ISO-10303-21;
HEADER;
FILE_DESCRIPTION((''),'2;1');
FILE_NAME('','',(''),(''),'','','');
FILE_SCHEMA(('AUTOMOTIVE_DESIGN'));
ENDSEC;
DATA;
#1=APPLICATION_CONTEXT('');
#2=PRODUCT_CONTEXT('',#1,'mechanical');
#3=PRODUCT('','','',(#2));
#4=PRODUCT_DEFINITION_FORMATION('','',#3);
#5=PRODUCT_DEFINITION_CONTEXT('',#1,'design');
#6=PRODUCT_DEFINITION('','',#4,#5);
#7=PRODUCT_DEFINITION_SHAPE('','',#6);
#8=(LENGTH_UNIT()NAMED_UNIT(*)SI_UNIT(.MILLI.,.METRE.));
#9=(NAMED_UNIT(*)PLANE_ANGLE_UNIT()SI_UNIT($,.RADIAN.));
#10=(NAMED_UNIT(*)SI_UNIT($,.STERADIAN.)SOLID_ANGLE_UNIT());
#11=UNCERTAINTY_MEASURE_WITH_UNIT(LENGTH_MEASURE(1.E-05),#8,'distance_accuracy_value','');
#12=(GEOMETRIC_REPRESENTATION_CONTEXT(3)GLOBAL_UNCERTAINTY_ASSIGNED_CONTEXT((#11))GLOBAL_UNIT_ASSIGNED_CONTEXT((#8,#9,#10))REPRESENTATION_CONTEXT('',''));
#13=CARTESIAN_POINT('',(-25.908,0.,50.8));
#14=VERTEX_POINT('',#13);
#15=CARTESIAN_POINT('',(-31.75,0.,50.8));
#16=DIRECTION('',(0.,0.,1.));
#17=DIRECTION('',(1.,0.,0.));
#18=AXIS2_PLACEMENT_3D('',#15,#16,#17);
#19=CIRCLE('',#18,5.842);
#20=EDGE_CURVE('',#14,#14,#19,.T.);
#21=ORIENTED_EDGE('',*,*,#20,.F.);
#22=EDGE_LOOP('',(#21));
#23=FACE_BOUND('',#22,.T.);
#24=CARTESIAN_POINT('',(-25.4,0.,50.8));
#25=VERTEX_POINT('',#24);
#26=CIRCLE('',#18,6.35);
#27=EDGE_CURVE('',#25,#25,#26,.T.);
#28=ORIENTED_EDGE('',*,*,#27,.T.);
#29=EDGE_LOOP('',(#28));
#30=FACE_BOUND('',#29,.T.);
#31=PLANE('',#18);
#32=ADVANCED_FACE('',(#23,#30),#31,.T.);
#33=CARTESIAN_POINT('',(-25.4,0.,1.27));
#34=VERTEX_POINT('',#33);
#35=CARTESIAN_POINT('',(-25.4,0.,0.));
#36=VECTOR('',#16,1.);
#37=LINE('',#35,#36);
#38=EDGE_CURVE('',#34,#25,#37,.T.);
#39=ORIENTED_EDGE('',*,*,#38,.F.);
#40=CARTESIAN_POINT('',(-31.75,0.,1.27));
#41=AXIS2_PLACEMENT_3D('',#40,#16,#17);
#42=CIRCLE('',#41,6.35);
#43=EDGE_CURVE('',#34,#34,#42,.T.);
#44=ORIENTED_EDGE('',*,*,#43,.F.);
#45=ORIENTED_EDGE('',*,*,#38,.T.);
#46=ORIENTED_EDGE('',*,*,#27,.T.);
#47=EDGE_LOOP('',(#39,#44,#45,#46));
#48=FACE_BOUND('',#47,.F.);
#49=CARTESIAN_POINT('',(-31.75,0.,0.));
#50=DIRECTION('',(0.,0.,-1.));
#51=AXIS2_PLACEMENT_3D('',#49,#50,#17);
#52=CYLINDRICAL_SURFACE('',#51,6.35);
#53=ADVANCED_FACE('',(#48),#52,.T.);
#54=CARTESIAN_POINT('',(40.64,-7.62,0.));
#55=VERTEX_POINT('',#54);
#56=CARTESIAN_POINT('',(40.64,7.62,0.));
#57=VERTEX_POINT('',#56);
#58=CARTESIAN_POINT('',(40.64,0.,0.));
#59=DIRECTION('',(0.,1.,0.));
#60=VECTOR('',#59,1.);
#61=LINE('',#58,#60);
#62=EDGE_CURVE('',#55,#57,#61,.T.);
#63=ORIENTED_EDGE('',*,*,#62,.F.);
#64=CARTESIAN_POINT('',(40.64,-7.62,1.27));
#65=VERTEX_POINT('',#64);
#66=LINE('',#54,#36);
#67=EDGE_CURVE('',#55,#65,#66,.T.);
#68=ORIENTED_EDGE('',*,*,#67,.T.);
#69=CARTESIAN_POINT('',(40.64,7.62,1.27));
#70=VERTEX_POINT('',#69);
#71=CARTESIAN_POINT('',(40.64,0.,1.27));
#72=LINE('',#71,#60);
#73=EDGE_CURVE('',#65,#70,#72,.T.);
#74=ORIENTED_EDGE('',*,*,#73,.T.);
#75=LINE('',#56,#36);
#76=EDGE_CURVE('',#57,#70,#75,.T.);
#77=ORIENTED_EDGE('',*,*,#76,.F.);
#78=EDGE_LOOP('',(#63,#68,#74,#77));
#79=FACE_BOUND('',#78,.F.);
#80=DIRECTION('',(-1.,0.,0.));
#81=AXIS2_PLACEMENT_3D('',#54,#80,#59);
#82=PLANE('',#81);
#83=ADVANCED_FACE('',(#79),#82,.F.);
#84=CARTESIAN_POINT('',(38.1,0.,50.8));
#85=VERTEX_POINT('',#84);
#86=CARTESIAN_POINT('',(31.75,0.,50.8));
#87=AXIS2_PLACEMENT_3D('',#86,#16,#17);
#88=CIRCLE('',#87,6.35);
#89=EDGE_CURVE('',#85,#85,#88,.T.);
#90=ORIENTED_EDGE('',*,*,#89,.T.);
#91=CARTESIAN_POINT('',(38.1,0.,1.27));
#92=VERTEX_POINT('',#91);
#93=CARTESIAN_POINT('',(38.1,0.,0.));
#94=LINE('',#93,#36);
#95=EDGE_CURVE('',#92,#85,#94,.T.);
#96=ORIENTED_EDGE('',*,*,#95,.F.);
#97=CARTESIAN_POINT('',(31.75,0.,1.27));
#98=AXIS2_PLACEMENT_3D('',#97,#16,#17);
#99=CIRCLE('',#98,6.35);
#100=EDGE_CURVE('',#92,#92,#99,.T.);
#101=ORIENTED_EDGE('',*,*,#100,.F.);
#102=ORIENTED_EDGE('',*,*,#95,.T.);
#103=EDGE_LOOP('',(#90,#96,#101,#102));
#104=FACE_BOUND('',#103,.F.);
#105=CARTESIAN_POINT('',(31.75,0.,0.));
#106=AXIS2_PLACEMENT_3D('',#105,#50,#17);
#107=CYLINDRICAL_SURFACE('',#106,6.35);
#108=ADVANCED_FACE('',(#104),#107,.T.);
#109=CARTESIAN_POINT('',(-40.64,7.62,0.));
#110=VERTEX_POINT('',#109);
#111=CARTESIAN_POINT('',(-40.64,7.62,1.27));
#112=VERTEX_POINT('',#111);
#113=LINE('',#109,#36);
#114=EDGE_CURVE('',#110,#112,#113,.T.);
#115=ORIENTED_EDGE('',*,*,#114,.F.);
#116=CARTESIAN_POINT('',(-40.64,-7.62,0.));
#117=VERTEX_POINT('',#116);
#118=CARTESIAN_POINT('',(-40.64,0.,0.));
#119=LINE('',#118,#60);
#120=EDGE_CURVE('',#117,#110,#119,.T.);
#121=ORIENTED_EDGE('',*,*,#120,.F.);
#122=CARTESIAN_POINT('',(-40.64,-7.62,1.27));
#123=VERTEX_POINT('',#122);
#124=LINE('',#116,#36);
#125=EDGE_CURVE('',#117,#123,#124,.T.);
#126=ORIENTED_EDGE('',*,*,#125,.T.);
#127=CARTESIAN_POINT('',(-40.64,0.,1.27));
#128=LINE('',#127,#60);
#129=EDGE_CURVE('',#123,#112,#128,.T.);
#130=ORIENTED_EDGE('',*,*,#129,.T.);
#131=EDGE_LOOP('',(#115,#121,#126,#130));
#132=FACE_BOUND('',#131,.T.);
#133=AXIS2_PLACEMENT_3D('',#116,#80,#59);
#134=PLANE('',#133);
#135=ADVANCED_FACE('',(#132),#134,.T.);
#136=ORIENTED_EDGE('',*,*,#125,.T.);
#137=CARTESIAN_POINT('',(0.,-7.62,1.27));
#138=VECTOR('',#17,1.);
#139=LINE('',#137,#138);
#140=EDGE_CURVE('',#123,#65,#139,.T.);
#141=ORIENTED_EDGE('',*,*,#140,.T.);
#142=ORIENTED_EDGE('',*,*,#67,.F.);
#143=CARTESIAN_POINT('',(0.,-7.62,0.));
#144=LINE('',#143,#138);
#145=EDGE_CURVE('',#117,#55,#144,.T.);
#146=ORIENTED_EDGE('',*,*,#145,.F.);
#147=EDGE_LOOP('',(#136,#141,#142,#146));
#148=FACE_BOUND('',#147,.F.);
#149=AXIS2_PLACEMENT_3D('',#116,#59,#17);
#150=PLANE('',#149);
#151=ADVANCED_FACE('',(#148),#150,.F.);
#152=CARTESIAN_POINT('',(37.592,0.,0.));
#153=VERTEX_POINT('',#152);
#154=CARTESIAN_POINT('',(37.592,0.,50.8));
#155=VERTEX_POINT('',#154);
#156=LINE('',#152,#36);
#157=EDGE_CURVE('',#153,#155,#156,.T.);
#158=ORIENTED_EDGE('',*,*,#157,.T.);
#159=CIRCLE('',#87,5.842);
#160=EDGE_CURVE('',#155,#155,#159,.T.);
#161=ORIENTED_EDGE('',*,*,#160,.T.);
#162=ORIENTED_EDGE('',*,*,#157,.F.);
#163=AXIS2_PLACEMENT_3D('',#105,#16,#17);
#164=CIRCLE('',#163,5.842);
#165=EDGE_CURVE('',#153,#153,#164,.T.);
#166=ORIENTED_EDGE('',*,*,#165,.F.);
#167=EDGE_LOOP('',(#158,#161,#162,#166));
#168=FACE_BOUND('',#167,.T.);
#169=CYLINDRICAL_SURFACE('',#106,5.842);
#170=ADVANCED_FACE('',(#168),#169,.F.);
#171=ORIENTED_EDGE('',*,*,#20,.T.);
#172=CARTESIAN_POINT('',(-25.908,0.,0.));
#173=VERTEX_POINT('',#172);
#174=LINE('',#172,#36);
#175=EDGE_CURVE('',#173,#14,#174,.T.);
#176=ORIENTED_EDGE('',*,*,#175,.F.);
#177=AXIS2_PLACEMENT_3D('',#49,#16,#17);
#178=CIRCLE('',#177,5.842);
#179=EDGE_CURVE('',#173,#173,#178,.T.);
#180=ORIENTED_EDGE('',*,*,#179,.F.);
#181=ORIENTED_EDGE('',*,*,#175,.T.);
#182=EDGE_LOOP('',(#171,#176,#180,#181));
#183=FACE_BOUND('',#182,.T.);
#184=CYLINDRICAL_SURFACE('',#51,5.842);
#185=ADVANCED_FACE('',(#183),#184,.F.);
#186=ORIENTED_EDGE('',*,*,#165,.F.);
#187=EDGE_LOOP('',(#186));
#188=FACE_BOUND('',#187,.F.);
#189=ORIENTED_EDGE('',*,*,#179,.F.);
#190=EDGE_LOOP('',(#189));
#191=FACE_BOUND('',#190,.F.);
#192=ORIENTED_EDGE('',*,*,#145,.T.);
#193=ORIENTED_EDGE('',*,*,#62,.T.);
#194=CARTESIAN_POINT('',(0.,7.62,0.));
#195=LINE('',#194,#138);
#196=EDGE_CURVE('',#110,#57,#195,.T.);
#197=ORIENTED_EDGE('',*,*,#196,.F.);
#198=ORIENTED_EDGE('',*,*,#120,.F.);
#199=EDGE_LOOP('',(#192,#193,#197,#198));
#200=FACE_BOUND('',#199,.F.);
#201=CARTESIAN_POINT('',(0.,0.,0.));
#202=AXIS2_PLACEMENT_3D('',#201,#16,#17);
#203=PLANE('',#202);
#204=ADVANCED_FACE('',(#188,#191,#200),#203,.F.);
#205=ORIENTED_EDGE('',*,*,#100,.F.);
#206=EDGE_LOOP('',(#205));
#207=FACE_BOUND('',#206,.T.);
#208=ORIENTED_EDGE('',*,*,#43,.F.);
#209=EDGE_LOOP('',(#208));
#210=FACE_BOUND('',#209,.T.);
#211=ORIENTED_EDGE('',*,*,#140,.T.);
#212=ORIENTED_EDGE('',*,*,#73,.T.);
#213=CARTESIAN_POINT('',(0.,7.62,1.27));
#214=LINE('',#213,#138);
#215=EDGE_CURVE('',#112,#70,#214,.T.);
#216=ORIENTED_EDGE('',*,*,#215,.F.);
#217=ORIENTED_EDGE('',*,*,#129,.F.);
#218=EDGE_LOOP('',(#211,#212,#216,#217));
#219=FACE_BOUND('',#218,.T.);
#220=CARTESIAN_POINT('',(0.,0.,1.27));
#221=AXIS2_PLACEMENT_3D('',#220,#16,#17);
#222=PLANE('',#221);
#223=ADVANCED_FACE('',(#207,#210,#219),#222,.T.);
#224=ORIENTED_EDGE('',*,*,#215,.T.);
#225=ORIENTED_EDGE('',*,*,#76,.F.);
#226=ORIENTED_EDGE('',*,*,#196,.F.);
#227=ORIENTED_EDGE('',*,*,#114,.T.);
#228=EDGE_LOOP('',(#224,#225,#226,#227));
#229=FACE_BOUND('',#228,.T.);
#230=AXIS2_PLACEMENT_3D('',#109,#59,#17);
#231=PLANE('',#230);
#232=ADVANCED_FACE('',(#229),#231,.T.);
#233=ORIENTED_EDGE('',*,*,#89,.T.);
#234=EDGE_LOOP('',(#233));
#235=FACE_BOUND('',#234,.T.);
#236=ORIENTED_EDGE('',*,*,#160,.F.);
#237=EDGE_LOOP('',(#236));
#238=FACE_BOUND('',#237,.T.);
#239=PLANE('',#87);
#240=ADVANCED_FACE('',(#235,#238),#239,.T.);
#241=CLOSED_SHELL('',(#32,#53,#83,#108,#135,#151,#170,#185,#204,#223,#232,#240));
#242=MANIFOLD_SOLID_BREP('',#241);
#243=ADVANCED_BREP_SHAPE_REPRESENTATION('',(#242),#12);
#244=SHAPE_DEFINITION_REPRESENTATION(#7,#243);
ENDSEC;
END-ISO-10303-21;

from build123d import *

# Parameters (mm, degrees)
F0_R     = 6.35
F0_R_2   = 5.842
F1_DEPTH = 50.8
F0_W     = 81.28
F0_H     = 15.24
F2_DEPTH = 1.27


with BuildPart() as f1:
    # F0 (on Top) → F1 (new body)
    with BuildSketch(Plane.XY):
        with Locations((-31.75, 0)):
            Circle(F0_R)
        with Locations((-31.75, 0)):
            Circle(F0_R_2, mode=Mode.SUBTRACT)
    extrude(amount=F1_DEPTH)



with BuildPart() as f1b:
    # F0 (on Top) → F1, piece 2 (new body)
    with BuildSketch(Plane.XY):
        with Locations((31.75, 0)):
            Circle(F0_R)
        with Locations((31.75, 0)):
            Circle(F0_R_2, mode=Mode.SUBTRACT)
    extrude(amount=F1_DEPTH)


with BuildPart() as f1_1:
    add(f1.part)

    add(f1b.part)  # F2 merges F1b
    # F0 (on Top) → F2 (join)
    with BuildSketch(Plane.XY):
        Rectangle(F0_W, F0_H)
        with Locations((-31.75, 0)):
            Circle(F0_R, mode=Mode.SUBTRACT)
        with Locations((31.75, 0)):
            Circle(F0_R, mode=Mode.SUBTRACT)
    extrude(amount=F2_DEPTH)


solid = f1_1.part
